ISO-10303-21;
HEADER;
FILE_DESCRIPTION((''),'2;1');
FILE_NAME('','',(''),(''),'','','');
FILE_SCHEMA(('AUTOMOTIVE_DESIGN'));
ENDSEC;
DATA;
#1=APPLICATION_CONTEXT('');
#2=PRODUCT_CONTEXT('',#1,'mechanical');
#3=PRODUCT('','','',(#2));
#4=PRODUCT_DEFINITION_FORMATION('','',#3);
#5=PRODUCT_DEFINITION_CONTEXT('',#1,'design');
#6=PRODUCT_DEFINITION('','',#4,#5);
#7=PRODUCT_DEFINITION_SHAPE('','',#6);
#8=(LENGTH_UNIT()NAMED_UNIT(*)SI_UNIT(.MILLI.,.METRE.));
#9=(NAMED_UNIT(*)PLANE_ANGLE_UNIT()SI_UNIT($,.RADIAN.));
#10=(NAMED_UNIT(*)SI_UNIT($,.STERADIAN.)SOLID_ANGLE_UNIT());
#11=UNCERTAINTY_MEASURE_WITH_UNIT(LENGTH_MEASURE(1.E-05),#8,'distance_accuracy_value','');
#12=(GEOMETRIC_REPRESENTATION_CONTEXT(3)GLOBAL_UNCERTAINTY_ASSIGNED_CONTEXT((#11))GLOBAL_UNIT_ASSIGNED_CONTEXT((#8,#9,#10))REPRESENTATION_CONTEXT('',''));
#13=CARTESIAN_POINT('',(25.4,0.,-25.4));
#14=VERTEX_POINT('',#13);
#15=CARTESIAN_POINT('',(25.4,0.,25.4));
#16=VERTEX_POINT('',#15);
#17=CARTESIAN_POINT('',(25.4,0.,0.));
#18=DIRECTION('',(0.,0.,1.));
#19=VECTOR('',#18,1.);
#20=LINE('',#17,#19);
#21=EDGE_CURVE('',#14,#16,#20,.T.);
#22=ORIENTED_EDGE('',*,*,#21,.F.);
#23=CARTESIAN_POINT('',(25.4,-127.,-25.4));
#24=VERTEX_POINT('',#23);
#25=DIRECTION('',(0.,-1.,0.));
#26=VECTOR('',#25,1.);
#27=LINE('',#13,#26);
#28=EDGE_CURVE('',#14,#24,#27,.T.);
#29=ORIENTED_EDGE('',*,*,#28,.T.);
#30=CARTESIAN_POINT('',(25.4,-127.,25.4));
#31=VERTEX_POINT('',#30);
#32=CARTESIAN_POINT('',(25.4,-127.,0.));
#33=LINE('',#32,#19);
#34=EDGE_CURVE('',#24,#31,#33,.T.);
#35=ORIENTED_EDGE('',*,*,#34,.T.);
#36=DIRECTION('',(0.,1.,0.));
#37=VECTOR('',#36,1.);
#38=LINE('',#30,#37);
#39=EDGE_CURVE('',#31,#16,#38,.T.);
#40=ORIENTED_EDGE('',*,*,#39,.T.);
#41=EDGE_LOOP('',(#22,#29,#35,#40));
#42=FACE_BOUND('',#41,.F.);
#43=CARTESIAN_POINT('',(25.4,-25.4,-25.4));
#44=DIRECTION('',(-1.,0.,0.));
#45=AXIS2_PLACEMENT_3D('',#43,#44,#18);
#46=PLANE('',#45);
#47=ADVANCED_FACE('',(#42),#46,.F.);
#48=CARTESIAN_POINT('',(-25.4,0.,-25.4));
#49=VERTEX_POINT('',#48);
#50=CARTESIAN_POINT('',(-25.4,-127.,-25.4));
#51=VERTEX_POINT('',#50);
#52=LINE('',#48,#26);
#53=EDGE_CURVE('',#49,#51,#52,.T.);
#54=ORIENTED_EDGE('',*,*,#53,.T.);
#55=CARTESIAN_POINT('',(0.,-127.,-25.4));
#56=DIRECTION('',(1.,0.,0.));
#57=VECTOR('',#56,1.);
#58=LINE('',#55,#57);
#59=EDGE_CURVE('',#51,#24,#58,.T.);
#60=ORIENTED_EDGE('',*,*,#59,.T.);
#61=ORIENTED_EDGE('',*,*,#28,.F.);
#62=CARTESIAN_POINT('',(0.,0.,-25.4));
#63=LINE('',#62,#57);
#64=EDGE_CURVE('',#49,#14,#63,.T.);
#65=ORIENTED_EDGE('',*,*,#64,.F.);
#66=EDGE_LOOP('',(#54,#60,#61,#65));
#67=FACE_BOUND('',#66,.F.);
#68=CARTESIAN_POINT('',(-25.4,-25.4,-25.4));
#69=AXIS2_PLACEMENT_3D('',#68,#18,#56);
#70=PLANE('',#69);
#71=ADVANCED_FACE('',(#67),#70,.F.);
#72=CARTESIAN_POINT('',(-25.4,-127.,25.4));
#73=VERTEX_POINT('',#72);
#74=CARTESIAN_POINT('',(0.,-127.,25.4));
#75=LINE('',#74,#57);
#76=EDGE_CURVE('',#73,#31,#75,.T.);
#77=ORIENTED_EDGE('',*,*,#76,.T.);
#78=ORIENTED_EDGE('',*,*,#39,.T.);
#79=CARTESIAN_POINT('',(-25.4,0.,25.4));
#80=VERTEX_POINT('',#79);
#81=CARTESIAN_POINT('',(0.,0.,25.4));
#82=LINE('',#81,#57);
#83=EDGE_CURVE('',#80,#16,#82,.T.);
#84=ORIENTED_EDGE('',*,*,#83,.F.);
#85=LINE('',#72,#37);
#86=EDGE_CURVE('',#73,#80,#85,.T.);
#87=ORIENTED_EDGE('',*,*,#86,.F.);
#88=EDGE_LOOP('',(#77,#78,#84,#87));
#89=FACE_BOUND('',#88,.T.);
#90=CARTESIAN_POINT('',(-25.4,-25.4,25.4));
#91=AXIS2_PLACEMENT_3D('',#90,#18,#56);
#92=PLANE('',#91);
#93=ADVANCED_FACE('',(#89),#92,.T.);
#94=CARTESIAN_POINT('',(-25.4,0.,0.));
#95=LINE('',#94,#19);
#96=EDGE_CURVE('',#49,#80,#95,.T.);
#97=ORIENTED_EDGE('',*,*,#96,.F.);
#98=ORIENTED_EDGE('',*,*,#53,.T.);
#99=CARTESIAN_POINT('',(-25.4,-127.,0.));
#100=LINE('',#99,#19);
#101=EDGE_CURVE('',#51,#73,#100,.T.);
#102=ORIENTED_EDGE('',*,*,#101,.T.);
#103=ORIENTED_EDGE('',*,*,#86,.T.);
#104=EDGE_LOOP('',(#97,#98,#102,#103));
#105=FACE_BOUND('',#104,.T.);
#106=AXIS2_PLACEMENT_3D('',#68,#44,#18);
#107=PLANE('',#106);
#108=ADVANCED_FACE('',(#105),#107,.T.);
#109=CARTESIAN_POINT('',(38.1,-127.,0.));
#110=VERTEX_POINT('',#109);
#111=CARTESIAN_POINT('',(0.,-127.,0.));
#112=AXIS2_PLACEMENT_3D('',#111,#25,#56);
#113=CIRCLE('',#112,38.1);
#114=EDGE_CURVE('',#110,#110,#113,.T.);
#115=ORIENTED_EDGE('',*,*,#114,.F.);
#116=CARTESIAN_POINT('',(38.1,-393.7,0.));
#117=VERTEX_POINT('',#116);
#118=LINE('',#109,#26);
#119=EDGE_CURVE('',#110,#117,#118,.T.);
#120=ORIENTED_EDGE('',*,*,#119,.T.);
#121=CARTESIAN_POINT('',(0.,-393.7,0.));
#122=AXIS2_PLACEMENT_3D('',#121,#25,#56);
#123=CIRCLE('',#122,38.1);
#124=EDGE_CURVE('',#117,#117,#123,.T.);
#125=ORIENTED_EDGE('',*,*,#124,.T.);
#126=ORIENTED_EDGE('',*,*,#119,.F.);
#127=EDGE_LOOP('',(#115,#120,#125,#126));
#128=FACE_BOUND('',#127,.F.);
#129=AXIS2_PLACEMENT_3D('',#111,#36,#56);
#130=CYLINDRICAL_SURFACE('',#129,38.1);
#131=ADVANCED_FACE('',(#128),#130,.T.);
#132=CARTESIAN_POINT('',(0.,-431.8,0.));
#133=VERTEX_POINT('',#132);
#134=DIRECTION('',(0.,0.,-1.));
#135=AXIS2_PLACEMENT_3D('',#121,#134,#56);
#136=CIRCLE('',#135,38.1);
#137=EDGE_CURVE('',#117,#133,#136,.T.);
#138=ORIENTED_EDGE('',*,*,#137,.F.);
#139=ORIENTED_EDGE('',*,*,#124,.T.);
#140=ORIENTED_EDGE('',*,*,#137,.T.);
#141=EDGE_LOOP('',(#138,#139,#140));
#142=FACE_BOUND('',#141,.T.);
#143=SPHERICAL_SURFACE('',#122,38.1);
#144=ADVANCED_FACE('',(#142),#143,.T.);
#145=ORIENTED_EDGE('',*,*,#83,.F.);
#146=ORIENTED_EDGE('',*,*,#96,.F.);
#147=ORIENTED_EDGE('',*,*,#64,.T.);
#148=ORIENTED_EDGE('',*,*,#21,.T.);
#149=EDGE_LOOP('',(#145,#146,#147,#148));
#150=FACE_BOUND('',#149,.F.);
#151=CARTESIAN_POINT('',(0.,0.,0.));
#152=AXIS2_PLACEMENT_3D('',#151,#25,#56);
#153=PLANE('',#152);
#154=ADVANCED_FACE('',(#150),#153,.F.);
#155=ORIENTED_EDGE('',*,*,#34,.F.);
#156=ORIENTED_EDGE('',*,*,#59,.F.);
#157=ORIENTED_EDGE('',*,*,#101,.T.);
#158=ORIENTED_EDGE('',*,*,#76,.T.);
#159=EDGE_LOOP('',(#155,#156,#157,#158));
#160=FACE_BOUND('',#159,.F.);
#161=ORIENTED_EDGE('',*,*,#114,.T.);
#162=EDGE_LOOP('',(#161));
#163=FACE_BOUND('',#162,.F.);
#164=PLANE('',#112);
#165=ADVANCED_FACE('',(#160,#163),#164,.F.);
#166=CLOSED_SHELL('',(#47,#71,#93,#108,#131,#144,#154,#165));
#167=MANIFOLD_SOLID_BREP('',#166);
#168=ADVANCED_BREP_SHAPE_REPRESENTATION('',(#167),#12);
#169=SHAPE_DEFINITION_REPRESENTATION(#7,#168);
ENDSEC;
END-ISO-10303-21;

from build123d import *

# Parameters (mm, degrees)
F0_W      = 50.8
F0_H      = 50.8
F1_DEPTH  = 25.4
F1_FACE_W = 50.8
F1_FACE_H = 50.8
F2_DEPTH  = 101.6
F3_R      = 38.1
F4_DEPTH  = 304.8
F5_R      = 38.1


with BuildPart() as f1:
    # F0 (on Front) → F1 (new body)
    with BuildSketch(Plane.XZ):
        Rectangle(F0_W, F0_H)
    extrude(amount=F1_DEPTH)

    # F1_face (on face) → F2 (join)
    with BuildSketch(Plane.XZ.offset(25.4)):
        Rectangle(F1_FACE_W, F1_FACE_H)
    extrude(amount=F2_DEPTH)

    # F3 (on face) → F4 (join)
    with BuildSketch(Plane.XZ.offset(127)):
        Circle(F3_R)
    extrude(amount=F4_DEPTH)

    # F5
    f5_edges = [f1.edges().sort_by_distance(p)[0] for p in [
        (-38.1, -431.8, 0),
    ]]
    fillet(f5_edges, radius=F5_R)


solid = f1.part
